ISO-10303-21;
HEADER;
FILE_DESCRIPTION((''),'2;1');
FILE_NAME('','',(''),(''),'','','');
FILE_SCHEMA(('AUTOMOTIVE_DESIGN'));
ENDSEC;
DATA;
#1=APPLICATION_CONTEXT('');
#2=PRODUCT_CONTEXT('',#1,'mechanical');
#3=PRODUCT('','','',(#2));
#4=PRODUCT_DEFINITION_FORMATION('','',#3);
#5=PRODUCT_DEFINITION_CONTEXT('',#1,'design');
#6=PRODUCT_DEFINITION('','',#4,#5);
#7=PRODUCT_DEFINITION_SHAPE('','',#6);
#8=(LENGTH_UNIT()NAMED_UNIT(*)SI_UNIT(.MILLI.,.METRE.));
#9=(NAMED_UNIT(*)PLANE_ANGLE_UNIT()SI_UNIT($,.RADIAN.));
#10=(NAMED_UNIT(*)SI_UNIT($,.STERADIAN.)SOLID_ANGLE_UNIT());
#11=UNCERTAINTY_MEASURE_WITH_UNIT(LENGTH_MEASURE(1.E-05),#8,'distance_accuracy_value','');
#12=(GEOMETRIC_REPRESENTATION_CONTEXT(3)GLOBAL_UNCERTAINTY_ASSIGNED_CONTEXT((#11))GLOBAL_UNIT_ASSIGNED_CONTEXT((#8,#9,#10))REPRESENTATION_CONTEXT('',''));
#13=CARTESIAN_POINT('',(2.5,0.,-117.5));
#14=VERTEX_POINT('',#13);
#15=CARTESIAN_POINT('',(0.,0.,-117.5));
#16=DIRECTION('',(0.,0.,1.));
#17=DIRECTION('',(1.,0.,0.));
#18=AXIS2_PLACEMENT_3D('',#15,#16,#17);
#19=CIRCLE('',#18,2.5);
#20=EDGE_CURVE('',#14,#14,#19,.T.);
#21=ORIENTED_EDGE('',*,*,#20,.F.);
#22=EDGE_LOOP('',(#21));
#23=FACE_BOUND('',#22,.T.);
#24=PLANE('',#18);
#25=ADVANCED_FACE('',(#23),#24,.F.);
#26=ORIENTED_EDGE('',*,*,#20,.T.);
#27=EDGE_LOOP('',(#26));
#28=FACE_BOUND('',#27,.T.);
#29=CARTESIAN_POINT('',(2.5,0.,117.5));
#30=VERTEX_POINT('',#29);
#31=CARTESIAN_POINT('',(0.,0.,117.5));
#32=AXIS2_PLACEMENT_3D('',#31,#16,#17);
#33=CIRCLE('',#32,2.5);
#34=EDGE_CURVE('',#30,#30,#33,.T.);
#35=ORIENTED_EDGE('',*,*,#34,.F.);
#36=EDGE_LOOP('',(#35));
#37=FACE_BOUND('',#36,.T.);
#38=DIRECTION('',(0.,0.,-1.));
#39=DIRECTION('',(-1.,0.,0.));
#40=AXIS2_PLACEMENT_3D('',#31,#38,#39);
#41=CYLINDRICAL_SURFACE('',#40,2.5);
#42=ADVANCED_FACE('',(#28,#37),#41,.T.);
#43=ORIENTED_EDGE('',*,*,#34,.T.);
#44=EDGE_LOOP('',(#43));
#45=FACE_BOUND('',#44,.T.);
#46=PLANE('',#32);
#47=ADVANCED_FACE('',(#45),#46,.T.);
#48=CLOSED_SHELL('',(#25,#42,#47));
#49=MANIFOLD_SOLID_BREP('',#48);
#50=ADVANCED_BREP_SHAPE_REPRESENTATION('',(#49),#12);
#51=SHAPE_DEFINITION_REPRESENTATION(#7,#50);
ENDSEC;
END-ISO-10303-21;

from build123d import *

# Parameters (mm, degrees)
SKETCH1_R           = 2.5
BOSS_EXTRUDE1_DEPTH = 117.5


with BuildPart() as part:
    # Sketch1 → Boss-Extrude1 (new body, symmetric)
    with BuildSketch(Plane.XY):
        Circle(SKETCH1_R)
    extrude(amount=BOSS_EXTRUDE1_DEPTH, both=True)


solid = part.part
